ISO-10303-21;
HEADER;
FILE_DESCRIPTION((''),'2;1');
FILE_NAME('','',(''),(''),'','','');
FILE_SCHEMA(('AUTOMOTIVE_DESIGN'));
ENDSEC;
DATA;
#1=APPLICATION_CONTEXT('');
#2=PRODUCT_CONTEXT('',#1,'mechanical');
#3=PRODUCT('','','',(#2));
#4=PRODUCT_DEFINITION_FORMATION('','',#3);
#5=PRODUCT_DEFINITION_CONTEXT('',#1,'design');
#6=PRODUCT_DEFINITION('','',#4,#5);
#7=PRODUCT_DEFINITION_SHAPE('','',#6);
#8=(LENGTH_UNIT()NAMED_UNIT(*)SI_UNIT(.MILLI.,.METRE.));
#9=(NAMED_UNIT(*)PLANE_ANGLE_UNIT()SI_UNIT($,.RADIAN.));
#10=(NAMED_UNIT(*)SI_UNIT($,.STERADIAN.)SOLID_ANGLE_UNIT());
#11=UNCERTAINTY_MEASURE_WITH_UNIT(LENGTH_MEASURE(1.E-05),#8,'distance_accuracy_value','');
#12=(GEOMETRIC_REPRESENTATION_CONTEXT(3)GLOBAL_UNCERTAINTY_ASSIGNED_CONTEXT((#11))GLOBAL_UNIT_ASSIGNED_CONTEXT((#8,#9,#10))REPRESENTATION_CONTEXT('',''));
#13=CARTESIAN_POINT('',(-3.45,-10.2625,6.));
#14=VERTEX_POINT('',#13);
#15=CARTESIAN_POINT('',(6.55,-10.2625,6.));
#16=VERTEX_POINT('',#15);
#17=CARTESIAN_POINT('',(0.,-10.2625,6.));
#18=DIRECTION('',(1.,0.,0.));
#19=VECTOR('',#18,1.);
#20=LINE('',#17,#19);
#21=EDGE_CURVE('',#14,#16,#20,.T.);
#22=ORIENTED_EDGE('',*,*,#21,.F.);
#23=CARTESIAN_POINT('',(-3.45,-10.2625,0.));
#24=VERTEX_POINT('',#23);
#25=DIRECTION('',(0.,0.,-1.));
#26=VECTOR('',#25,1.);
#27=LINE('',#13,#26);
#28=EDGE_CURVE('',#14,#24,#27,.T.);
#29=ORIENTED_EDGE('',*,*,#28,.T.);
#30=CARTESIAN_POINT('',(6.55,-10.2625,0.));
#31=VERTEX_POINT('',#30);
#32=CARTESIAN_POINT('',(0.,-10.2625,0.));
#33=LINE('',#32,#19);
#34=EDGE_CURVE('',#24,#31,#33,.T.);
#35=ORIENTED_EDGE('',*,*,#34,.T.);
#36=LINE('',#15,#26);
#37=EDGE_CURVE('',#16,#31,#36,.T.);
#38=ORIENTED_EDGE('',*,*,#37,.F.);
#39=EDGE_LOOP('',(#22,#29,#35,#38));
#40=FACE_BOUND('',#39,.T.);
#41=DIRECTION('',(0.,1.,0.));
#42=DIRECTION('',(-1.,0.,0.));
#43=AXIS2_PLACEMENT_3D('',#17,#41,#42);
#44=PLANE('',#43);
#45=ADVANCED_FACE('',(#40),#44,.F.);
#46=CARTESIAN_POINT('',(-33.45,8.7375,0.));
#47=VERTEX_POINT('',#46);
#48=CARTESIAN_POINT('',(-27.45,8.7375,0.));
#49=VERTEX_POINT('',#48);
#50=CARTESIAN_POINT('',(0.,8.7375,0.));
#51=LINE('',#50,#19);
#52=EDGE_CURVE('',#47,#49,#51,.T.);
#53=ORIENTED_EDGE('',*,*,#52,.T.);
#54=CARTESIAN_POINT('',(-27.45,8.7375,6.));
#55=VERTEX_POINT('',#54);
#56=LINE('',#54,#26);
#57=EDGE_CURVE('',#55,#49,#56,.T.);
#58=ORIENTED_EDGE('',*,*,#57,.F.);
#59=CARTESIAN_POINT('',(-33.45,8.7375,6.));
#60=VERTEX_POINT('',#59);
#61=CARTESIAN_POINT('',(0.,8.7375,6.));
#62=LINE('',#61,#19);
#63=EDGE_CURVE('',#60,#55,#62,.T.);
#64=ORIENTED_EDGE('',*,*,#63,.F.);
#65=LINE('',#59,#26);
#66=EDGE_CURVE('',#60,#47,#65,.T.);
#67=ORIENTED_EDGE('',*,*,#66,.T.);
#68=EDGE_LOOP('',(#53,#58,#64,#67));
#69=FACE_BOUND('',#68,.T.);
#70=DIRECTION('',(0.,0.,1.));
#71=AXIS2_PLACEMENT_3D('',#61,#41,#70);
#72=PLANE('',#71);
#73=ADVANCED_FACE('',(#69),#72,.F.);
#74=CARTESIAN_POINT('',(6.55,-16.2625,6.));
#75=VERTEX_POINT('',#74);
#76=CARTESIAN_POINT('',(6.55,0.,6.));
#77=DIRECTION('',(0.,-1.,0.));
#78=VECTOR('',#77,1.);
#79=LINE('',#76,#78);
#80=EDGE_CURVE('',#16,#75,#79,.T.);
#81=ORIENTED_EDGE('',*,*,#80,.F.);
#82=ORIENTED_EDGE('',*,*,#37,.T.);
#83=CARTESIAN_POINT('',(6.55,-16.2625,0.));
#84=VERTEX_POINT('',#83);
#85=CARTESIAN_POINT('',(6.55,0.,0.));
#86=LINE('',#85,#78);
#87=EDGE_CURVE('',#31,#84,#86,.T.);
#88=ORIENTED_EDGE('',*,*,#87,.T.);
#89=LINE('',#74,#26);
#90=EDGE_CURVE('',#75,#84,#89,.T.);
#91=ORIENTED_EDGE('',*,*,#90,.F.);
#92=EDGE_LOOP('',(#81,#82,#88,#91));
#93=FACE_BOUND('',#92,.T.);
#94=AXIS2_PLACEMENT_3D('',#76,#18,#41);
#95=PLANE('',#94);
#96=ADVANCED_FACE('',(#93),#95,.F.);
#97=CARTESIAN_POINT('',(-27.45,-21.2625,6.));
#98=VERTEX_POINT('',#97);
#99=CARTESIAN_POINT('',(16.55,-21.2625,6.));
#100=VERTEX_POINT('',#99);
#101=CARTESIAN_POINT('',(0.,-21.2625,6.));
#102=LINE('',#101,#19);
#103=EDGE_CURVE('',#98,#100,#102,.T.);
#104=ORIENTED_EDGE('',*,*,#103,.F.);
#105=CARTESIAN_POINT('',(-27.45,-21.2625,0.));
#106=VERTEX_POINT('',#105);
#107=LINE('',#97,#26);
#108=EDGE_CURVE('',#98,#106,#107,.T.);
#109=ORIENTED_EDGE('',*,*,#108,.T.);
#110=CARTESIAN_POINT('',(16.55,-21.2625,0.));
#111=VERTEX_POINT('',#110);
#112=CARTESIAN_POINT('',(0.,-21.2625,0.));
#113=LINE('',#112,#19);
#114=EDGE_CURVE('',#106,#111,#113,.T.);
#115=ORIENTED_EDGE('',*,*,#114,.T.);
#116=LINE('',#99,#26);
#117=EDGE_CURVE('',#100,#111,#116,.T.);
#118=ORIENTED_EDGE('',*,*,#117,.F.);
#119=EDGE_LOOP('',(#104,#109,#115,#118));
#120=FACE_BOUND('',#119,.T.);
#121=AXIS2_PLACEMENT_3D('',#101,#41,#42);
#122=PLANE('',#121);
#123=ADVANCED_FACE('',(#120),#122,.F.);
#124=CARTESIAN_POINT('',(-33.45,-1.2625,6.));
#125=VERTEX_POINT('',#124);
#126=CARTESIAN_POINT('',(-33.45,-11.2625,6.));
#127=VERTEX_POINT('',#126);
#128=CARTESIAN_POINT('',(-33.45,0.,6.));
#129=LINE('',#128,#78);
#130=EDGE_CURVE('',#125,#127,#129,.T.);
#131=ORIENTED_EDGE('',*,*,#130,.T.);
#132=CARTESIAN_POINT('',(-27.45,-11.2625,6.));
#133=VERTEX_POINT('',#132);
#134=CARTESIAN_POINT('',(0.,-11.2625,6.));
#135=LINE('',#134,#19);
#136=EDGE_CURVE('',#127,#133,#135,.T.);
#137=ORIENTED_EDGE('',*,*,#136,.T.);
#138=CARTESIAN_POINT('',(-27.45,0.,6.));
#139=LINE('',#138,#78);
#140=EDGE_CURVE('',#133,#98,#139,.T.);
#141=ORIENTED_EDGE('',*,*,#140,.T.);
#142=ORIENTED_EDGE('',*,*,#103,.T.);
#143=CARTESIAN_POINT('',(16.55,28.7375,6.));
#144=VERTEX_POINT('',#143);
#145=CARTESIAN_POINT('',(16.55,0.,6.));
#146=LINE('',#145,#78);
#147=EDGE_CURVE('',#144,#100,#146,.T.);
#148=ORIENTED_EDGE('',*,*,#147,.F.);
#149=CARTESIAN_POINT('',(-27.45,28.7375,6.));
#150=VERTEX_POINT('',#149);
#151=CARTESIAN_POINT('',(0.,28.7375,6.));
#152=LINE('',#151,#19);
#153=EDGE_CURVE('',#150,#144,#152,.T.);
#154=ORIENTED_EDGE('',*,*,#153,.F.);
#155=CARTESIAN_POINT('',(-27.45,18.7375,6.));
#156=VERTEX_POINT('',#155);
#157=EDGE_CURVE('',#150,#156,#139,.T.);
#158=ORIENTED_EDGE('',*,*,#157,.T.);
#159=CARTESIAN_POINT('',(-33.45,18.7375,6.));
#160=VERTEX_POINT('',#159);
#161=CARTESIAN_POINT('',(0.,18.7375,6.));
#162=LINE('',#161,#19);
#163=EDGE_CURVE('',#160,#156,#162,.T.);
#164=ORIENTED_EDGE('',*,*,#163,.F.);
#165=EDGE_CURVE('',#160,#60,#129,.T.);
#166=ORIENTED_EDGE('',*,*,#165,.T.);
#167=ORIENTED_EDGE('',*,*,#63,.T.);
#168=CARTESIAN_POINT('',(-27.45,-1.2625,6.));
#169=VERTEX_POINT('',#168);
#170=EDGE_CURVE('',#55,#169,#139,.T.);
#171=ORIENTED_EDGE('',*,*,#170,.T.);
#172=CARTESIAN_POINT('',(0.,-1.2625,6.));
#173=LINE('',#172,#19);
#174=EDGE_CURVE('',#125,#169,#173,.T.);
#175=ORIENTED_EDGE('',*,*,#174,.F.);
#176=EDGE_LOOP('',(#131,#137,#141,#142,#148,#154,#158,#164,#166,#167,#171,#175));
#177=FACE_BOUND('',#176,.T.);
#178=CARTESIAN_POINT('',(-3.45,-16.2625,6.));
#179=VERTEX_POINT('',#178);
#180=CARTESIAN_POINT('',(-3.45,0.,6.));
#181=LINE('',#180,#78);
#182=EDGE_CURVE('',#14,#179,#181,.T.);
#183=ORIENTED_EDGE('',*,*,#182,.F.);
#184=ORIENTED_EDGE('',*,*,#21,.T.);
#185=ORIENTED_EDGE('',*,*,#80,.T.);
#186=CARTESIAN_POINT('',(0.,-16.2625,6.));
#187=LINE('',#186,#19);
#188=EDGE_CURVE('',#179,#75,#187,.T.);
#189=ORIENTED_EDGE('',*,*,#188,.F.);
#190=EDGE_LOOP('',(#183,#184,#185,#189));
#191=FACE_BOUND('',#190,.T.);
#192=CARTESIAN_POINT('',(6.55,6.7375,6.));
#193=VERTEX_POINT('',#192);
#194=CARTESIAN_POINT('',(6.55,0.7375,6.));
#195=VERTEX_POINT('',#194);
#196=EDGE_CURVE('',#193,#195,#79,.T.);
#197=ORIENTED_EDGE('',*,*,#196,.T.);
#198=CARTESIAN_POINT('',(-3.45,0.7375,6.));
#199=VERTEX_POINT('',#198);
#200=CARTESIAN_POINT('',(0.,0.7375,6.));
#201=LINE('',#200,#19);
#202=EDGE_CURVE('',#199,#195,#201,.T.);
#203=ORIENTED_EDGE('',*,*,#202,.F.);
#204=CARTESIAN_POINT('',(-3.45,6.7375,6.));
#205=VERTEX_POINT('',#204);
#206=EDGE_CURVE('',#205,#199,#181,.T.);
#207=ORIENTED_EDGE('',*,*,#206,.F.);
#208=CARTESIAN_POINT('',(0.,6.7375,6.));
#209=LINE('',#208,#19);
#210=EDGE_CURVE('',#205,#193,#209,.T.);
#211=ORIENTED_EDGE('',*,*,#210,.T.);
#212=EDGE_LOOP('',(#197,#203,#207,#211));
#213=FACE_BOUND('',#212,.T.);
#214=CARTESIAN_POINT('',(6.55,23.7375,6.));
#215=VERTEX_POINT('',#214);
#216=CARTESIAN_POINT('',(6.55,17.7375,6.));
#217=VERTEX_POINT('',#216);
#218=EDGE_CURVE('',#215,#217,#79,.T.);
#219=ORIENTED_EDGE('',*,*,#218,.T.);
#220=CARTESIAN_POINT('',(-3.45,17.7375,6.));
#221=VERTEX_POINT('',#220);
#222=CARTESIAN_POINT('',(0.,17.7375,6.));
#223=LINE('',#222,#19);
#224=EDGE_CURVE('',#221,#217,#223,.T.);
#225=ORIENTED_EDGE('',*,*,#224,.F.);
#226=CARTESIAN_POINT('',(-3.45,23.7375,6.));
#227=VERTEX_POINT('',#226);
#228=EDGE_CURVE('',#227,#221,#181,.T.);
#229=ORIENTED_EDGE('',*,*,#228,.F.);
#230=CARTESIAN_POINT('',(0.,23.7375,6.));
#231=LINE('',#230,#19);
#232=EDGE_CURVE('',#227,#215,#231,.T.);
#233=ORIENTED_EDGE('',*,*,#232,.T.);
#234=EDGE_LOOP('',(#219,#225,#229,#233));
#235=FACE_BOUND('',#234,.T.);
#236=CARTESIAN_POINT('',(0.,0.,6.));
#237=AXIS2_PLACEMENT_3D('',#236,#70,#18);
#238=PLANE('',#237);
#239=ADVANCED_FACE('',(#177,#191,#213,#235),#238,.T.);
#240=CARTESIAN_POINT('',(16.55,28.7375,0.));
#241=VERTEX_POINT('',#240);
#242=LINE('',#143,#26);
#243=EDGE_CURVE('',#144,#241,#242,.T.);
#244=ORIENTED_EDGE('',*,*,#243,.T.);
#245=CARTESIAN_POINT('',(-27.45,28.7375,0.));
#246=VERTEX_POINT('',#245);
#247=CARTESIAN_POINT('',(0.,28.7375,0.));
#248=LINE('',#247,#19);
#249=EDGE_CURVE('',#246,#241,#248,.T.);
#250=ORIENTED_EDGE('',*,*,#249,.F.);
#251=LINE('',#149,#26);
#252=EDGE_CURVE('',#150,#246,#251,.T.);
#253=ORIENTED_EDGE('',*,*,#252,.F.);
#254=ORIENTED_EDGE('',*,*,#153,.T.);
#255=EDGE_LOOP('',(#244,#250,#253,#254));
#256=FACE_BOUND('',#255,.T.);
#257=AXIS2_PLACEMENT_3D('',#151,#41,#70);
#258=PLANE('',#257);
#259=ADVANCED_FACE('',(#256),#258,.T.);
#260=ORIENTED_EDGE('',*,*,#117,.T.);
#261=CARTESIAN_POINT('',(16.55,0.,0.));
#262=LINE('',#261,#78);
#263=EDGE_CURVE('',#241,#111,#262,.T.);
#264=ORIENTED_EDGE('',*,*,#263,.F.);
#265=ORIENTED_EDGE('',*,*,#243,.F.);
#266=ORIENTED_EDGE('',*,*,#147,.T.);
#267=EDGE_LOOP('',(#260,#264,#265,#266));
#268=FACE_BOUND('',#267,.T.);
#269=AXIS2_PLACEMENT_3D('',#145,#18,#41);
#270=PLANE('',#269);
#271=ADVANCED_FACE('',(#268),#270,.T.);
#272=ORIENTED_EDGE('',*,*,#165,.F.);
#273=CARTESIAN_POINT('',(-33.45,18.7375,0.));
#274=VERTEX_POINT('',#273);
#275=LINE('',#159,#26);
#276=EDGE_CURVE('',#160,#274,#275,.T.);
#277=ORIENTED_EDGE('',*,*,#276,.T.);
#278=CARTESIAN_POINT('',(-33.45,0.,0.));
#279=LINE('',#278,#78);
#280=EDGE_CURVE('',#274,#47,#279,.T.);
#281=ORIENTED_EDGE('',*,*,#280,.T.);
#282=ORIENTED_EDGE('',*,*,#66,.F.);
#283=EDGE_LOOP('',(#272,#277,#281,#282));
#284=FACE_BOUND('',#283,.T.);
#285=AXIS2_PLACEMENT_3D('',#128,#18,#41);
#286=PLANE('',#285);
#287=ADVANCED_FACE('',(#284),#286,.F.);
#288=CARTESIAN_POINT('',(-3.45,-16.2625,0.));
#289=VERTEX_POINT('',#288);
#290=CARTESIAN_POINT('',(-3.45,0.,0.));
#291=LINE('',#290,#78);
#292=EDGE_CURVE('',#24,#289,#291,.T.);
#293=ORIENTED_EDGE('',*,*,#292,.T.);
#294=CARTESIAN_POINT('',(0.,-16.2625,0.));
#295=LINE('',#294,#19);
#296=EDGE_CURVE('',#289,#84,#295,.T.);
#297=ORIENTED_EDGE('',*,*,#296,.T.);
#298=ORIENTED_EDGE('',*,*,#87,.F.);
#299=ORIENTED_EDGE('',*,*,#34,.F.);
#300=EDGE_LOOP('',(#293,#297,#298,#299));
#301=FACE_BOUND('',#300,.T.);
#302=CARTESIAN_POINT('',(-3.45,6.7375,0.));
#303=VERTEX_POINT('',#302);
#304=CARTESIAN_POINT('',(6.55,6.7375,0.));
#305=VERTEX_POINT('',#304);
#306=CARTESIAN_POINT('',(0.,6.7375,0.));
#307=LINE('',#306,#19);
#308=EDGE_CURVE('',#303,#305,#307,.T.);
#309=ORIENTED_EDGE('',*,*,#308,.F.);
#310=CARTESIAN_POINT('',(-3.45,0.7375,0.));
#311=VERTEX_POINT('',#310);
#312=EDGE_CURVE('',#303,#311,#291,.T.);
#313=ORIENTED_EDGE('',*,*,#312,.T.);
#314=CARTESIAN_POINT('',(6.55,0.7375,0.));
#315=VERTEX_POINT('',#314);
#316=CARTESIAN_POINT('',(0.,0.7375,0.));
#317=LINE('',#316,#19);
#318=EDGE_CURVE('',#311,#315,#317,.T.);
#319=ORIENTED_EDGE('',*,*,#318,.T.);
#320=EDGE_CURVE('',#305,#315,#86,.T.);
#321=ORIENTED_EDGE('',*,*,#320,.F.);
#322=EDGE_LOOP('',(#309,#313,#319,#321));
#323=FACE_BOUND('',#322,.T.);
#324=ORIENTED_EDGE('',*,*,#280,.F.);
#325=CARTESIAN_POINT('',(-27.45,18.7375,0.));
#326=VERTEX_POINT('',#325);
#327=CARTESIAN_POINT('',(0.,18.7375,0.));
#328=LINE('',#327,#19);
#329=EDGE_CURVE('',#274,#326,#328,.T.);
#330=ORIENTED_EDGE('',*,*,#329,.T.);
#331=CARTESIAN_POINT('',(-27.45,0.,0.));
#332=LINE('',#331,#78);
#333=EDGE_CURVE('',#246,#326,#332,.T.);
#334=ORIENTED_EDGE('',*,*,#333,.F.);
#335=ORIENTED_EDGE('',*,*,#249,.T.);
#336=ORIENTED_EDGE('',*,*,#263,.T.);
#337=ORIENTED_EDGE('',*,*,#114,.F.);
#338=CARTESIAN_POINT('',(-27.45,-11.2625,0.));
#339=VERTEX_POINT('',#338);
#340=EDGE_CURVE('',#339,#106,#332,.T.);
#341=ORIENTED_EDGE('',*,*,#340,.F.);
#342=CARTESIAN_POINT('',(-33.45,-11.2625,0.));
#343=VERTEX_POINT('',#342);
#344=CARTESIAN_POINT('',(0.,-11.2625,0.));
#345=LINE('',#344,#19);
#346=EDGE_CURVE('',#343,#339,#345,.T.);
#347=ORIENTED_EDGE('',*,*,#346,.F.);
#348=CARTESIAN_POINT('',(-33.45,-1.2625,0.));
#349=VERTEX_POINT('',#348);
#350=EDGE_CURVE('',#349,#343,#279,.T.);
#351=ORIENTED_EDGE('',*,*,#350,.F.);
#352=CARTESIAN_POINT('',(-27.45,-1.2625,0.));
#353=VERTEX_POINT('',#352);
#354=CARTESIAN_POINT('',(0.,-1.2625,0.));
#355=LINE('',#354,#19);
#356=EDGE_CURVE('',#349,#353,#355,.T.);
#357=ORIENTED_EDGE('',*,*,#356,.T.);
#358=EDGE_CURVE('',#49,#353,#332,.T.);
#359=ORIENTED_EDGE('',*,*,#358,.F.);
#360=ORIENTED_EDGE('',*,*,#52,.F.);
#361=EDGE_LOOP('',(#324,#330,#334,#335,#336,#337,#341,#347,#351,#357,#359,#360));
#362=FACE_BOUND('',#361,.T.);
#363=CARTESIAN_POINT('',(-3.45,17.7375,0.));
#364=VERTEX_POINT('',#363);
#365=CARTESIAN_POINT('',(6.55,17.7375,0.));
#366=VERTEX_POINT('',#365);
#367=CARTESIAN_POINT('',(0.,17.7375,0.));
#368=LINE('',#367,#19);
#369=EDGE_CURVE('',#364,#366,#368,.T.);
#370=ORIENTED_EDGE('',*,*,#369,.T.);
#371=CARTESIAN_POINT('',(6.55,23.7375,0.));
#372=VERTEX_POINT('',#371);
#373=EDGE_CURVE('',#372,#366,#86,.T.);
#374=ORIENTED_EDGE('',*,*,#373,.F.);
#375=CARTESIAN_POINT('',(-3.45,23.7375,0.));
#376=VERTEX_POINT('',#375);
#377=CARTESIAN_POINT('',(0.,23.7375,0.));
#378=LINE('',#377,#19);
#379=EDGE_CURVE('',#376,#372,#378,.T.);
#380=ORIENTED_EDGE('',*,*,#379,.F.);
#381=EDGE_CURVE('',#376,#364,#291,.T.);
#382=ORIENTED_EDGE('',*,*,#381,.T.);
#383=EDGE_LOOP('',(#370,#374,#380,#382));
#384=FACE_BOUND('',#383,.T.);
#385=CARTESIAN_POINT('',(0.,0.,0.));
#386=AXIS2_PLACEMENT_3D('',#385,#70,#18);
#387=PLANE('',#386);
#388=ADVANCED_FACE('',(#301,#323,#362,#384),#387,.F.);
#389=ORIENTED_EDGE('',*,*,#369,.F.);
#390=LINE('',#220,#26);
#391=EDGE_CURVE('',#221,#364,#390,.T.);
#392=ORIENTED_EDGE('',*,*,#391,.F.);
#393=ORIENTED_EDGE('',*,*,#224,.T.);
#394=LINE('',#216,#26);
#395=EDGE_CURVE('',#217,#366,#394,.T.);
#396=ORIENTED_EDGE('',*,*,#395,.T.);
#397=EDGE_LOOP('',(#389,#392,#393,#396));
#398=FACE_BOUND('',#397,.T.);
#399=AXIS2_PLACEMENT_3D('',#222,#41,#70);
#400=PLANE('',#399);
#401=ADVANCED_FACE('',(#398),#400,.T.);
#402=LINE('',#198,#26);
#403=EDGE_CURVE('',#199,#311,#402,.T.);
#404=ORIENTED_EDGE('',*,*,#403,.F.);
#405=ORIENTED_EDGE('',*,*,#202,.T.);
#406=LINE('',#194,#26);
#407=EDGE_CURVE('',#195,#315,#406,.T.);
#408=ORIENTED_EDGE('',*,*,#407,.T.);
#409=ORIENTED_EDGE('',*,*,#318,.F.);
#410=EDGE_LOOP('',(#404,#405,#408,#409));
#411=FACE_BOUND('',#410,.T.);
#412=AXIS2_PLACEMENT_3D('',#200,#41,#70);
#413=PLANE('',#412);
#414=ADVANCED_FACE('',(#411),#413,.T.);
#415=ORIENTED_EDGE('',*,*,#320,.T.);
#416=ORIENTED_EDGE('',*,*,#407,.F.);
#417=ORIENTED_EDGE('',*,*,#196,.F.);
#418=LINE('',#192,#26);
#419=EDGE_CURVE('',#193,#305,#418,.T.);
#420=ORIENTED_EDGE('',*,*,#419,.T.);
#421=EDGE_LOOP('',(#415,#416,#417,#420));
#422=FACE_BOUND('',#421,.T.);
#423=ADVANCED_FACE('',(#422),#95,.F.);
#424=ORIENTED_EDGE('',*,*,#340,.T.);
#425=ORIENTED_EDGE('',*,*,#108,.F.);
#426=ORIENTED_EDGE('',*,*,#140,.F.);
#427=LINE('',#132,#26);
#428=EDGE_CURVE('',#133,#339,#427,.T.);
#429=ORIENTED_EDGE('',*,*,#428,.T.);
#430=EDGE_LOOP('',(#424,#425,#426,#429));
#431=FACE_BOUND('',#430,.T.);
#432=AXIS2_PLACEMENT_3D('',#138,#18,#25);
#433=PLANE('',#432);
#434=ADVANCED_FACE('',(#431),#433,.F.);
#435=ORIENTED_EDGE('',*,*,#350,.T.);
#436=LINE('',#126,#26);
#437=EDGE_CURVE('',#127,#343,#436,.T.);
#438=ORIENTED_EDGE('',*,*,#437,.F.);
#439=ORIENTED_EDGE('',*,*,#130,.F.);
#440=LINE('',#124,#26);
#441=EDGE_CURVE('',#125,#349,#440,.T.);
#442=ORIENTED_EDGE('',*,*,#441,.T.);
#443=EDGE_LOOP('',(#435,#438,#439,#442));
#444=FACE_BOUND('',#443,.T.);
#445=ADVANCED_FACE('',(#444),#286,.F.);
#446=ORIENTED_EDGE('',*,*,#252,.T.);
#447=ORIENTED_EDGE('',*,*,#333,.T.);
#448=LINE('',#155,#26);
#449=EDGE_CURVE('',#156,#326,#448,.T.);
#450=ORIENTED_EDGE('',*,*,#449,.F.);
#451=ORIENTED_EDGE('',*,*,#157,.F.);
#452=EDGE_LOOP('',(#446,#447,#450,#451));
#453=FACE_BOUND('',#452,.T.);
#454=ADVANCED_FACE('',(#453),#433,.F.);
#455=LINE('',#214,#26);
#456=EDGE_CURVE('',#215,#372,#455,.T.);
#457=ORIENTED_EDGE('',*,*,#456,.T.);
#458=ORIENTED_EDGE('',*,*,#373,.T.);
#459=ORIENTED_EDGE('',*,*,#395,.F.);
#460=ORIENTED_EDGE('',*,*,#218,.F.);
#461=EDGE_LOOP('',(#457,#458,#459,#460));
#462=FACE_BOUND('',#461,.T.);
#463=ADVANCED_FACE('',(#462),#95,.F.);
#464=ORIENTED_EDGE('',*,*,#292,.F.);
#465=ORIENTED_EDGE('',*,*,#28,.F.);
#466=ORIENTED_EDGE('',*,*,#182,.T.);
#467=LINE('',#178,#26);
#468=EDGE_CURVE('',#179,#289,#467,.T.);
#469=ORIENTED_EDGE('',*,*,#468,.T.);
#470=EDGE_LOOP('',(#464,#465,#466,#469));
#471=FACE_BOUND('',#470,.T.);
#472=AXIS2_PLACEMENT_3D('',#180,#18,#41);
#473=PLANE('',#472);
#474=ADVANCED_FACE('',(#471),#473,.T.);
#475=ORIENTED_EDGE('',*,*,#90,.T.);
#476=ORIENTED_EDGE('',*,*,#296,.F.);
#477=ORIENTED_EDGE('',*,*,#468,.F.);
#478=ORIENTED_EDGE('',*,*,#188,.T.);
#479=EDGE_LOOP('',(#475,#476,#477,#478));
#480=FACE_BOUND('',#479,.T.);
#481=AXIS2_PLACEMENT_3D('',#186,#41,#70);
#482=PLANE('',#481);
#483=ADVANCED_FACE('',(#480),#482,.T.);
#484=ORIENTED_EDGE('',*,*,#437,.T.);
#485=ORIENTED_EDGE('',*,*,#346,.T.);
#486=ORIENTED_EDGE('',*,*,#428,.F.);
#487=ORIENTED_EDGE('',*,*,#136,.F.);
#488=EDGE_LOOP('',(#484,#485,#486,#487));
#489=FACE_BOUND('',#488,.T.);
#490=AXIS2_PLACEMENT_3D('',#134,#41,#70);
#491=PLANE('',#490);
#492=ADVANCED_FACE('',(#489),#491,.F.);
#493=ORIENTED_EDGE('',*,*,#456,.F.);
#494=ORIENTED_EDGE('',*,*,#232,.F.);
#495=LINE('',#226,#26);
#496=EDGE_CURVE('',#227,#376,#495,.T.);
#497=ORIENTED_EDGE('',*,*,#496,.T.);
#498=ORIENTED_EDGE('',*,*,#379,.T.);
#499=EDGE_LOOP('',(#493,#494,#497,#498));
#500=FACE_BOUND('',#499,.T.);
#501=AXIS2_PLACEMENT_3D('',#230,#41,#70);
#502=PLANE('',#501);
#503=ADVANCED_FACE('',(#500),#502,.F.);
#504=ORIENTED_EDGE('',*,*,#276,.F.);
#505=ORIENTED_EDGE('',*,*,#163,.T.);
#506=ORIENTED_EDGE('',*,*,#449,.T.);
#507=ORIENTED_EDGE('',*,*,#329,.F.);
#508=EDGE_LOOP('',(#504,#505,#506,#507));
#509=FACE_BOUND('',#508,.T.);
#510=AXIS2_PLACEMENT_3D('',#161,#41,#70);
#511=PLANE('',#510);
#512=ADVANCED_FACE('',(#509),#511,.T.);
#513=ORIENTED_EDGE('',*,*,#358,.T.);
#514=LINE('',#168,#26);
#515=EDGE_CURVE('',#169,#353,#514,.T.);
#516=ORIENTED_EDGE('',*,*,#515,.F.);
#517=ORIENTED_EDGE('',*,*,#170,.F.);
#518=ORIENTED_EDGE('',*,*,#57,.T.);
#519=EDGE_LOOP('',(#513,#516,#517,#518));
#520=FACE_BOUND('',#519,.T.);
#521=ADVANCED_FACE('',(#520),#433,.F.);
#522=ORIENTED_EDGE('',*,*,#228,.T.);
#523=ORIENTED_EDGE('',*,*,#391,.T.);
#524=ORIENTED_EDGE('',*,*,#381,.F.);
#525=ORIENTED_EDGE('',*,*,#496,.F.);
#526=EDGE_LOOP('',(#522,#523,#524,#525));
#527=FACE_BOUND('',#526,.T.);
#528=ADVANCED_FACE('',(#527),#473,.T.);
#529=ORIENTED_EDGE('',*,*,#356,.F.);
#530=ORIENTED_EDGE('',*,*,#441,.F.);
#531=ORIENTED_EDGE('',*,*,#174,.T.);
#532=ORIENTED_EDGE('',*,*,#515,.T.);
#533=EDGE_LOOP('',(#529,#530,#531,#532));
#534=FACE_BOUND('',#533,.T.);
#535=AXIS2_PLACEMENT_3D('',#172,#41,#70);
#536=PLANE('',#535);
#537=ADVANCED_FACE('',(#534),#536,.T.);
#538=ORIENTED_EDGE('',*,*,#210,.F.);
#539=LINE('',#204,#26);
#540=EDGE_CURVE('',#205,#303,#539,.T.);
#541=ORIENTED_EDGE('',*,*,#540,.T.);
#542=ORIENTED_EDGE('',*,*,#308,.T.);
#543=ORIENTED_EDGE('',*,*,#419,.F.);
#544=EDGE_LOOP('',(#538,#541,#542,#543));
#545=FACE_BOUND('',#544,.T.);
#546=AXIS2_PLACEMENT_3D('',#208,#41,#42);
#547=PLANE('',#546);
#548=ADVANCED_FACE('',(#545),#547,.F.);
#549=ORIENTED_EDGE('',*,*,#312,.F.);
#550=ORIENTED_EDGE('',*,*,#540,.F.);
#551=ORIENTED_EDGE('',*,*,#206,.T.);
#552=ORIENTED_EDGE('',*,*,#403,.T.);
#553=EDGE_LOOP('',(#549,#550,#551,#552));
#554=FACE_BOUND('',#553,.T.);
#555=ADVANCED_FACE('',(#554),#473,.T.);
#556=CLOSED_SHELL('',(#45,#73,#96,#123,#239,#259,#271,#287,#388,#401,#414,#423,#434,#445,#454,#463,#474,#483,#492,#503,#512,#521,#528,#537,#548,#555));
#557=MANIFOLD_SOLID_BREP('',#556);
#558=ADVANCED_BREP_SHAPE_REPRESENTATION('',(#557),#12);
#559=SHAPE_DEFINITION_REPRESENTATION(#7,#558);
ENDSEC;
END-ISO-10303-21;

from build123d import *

# Parameters (mm, degrees)
SKETCH_1_W      = 10
SKETCH_1_H      = 6
EXTRUDE_1_DEPTH = 6


with BuildPart() as part:
    # 草圖1 → 填料-伸長1 (new body)
    with BuildSketch(Plane.XY):
        Polygon((-33.45, 18.7375), (-33.45, 8.7375), (-27.45, 8.7375), (-27.45, -1.2625), (-33.45, -1.2625), (-33.45, -11.2625), (-27.45, -11.2625), (-27.45, -21.2625), (16.55, -21.2625), (16.55, 28.7375), (-27.45, 28.7375), (-27.45, 18.7375), align=None)
        with Locations((1.55, -13.2625)):
            Rectangle(SKETCH_1_W, SKETCH_1_H, mode=Mode.SUBTRACT)
        with Locations((1.55, 3.7375)):
            Rectangle(SKETCH_1_W, SKETCH_1_H, mode=Mode.SUBTRACT)
        with Locations((1.55, 20.7375)):
            Rectangle(SKETCH_1_W, SKETCH_1_H, mode=Mode.SUBTRACT)
    extrude(amount=EXTRUDE_1_DEPTH)


solid = part.part
